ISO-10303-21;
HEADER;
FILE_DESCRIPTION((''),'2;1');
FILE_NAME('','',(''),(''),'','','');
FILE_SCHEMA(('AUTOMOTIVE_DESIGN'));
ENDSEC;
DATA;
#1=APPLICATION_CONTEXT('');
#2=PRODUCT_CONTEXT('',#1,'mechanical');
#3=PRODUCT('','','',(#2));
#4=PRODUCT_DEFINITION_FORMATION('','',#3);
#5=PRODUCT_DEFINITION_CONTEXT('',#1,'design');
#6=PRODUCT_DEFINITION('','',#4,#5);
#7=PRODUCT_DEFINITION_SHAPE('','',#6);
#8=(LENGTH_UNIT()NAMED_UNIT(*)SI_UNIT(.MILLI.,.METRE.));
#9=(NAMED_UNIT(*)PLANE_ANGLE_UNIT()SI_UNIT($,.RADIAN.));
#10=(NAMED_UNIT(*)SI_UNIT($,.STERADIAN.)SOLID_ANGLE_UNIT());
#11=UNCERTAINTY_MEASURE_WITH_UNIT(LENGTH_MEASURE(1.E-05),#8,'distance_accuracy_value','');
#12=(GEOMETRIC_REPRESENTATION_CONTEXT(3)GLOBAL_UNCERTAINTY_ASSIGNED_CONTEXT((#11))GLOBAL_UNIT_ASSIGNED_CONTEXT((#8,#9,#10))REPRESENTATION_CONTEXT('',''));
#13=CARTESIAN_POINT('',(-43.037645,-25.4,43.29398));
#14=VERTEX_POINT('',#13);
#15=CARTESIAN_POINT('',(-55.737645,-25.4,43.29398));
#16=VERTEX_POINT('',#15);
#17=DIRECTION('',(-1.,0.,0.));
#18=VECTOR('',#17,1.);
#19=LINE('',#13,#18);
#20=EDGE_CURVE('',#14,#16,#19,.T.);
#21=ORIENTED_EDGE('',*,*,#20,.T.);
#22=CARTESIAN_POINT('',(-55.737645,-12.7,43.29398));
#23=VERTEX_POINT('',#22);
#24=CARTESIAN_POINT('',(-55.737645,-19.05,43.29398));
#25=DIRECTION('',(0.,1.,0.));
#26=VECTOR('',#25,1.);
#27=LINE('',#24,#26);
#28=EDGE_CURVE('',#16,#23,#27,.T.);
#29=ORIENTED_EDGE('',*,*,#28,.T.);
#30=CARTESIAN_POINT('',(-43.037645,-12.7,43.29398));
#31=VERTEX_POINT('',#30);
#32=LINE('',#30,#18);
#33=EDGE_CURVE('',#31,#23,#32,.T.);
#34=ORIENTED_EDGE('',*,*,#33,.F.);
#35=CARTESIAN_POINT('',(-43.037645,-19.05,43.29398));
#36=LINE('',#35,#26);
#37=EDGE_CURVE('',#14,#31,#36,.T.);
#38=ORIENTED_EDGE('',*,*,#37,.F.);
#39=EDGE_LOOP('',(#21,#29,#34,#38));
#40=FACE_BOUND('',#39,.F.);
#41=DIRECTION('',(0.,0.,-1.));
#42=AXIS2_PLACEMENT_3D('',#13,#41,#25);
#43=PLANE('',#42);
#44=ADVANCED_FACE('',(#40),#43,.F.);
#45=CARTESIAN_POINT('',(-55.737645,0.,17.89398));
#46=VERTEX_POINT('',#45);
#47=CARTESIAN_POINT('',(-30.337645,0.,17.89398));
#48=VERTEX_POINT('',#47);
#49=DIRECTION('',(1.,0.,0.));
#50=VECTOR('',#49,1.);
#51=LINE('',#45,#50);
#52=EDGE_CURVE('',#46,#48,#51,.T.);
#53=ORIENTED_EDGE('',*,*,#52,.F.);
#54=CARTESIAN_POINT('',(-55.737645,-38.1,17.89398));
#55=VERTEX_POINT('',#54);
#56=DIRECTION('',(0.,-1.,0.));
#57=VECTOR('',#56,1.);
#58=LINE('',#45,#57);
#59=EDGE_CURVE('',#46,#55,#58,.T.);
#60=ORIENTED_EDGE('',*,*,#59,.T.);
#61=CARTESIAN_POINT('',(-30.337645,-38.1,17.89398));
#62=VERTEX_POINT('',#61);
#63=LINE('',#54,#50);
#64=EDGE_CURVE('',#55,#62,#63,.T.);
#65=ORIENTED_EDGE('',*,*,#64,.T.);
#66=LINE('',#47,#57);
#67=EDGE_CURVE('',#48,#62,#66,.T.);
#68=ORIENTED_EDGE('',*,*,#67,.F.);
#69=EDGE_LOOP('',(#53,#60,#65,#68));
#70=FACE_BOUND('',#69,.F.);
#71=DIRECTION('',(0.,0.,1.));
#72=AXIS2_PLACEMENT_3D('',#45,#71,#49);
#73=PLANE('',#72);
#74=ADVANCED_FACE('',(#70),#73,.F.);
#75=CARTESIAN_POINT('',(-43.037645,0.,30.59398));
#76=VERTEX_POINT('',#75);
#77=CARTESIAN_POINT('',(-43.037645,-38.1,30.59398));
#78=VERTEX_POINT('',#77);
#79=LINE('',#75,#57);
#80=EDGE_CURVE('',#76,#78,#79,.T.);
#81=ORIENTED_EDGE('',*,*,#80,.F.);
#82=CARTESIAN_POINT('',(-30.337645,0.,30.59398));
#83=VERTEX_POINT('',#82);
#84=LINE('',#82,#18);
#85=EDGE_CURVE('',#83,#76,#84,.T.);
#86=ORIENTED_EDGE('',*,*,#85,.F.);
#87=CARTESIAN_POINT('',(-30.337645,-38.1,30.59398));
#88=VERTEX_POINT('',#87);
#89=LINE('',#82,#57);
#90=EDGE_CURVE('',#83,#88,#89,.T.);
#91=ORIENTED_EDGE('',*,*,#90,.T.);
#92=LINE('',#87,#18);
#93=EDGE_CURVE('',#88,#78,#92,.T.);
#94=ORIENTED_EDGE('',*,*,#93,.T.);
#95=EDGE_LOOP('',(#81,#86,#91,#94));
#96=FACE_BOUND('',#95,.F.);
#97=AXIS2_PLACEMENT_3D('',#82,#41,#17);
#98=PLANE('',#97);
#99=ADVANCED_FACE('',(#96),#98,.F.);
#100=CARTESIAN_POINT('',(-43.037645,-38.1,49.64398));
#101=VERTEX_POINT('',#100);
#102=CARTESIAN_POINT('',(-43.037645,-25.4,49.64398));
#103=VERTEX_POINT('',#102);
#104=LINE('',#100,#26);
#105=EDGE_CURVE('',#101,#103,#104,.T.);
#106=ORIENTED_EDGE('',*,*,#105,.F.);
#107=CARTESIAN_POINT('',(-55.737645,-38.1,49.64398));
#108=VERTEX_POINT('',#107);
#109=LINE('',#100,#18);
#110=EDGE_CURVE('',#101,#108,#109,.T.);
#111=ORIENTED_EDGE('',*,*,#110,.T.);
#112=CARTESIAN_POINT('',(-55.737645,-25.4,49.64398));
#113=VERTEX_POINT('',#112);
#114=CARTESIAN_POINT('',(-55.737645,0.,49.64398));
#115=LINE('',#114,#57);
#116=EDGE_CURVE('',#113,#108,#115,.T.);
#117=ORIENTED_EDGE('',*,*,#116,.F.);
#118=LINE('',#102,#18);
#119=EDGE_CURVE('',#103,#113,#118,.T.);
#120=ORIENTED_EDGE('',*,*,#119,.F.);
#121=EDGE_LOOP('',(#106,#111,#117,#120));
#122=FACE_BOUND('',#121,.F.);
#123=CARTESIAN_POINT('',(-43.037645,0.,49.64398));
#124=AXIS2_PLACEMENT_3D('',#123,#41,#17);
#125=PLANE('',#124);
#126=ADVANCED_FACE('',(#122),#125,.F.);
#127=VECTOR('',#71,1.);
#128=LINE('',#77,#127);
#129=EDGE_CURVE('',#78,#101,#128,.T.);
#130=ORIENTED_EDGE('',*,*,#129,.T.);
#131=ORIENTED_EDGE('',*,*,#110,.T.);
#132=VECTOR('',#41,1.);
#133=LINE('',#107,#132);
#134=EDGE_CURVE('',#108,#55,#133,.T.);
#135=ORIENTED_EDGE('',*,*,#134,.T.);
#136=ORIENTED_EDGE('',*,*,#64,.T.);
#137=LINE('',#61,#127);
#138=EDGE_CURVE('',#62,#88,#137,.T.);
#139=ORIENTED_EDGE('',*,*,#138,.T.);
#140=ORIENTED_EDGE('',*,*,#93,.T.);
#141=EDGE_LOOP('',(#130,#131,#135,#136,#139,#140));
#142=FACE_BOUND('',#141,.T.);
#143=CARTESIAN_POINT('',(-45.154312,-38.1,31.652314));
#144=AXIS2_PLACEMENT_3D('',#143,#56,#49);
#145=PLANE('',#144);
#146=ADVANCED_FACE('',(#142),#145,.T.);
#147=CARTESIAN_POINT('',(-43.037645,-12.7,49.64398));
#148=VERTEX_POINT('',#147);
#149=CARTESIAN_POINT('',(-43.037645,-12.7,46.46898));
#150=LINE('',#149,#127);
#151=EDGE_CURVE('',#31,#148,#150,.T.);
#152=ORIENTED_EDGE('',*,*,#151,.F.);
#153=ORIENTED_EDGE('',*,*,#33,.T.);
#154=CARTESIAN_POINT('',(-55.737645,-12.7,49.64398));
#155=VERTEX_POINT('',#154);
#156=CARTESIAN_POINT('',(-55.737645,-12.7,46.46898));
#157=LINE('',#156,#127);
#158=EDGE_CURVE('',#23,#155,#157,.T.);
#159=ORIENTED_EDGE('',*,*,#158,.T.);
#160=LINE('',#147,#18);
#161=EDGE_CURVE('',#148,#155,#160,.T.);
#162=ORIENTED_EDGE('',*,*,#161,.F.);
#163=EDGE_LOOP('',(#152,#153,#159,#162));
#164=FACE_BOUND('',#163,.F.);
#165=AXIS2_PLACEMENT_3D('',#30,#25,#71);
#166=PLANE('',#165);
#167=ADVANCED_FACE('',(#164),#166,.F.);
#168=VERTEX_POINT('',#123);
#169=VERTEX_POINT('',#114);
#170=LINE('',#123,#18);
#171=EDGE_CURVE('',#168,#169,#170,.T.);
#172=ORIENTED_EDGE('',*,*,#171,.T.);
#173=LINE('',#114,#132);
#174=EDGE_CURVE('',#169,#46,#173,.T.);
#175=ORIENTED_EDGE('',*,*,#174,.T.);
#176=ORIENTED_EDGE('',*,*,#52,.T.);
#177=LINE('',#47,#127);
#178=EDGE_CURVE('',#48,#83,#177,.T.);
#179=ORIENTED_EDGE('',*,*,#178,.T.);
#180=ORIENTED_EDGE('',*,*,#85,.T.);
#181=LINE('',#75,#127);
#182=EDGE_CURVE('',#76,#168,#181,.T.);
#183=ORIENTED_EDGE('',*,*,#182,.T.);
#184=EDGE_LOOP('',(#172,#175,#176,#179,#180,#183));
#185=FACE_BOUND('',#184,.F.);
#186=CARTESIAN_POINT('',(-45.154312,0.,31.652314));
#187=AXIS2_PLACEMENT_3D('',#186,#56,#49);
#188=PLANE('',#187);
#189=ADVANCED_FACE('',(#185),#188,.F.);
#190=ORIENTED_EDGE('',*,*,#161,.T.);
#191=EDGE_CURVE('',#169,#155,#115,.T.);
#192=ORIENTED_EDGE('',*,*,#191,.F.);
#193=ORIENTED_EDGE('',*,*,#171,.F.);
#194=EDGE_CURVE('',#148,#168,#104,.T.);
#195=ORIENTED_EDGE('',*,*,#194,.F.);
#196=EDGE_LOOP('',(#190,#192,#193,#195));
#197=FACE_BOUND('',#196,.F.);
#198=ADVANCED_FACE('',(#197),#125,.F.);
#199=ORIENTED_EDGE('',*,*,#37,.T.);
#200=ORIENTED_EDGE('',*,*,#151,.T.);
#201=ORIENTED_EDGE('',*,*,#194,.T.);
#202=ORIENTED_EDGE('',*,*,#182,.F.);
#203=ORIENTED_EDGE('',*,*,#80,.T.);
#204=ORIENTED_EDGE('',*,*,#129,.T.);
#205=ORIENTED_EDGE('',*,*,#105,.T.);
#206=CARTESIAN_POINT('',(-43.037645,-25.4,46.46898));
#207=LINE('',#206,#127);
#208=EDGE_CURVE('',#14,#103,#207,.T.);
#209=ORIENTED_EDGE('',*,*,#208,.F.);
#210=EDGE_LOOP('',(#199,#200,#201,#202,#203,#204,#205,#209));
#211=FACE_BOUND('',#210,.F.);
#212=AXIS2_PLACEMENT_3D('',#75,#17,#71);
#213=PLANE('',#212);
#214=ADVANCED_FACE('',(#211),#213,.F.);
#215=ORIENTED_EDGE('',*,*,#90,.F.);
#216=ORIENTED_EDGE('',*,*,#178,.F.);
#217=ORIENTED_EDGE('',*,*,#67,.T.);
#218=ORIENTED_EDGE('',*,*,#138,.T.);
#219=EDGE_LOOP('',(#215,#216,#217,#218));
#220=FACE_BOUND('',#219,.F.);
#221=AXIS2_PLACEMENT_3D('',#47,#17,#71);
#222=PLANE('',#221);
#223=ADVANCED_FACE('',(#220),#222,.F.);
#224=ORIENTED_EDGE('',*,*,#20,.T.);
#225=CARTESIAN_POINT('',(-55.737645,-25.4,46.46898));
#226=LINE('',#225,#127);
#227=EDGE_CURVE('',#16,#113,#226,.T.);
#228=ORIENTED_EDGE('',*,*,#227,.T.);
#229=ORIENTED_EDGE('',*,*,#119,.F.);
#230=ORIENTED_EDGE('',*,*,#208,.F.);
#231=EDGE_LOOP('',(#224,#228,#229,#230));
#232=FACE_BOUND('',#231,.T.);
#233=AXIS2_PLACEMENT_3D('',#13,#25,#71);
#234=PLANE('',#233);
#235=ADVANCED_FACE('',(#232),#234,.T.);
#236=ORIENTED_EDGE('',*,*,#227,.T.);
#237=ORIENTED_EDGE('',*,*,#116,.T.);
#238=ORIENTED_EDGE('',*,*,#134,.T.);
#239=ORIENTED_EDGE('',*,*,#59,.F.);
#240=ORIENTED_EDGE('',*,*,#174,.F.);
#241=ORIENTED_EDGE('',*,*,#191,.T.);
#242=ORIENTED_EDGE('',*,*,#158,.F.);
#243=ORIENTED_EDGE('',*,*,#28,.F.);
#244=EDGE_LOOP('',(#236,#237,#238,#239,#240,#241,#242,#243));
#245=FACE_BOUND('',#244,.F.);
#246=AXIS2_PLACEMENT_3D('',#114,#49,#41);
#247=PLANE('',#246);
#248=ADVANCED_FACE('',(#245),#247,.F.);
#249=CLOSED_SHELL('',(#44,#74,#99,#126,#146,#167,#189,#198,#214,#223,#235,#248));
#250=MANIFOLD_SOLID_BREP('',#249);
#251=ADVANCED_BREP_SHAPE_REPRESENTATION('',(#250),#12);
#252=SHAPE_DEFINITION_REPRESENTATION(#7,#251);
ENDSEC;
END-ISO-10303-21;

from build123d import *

# Parameters (mm, degrees)
F1_DEPTH = 38.1
F2_W     = 12.7
F2_H     = 6.35
F3_DEPTH = 12.7
F4_DEPTH = 12.7
F5_W     = 12.7
F5_H     = 6.35
F6_DEPTH = 12.7


with BuildPart() as f1:
    # F0 (on Front) → F1 (new body)
    with BuildSketch(Plane.XZ):
        Polygon((-43.0376454253, 49.6439802366), (-55.7376454253, 49.6439802366), (-55.7376454253, 17.8939802366), (-30.3376454253, 17.8939802366), (-30.3376454253, 30.5939802366), (-43.0376454253, 30.5939802366), align=None)
    extrude(amount=F1_DEPTH)

    # F2 (on face) → F3 (join)
    with BuildSketch(Plane.YZ.offset(-43.0376454253)):
        with Locations((-17.718813771, 46.4689802366)):
            Rectangle(F2_W, F2_H)
    extrude(amount=F3_DEPTH)

    # F4 (cut): a face of the model
    f4_faces = [f1.faces().sort_by_distance(p)[0] for p in [
        (-30.3376454253, -17.718813771, 46.4689802366),
    ]]
    extrude(f4_faces, amount=-F4_DEPTH, mode=Mode.SUBTRACT)

    # F5 (on face) → F6 (cut)
    with BuildSketch(Plane.YZ.offset(-43.0376454253)):
        with Locations((-19.05, 46.4689802366)):
            Rectangle(F5_W, F5_H)
    extrude(amount=-F6_DEPTH, mode=Mode.SUBTRACT)


solid = f1.part
